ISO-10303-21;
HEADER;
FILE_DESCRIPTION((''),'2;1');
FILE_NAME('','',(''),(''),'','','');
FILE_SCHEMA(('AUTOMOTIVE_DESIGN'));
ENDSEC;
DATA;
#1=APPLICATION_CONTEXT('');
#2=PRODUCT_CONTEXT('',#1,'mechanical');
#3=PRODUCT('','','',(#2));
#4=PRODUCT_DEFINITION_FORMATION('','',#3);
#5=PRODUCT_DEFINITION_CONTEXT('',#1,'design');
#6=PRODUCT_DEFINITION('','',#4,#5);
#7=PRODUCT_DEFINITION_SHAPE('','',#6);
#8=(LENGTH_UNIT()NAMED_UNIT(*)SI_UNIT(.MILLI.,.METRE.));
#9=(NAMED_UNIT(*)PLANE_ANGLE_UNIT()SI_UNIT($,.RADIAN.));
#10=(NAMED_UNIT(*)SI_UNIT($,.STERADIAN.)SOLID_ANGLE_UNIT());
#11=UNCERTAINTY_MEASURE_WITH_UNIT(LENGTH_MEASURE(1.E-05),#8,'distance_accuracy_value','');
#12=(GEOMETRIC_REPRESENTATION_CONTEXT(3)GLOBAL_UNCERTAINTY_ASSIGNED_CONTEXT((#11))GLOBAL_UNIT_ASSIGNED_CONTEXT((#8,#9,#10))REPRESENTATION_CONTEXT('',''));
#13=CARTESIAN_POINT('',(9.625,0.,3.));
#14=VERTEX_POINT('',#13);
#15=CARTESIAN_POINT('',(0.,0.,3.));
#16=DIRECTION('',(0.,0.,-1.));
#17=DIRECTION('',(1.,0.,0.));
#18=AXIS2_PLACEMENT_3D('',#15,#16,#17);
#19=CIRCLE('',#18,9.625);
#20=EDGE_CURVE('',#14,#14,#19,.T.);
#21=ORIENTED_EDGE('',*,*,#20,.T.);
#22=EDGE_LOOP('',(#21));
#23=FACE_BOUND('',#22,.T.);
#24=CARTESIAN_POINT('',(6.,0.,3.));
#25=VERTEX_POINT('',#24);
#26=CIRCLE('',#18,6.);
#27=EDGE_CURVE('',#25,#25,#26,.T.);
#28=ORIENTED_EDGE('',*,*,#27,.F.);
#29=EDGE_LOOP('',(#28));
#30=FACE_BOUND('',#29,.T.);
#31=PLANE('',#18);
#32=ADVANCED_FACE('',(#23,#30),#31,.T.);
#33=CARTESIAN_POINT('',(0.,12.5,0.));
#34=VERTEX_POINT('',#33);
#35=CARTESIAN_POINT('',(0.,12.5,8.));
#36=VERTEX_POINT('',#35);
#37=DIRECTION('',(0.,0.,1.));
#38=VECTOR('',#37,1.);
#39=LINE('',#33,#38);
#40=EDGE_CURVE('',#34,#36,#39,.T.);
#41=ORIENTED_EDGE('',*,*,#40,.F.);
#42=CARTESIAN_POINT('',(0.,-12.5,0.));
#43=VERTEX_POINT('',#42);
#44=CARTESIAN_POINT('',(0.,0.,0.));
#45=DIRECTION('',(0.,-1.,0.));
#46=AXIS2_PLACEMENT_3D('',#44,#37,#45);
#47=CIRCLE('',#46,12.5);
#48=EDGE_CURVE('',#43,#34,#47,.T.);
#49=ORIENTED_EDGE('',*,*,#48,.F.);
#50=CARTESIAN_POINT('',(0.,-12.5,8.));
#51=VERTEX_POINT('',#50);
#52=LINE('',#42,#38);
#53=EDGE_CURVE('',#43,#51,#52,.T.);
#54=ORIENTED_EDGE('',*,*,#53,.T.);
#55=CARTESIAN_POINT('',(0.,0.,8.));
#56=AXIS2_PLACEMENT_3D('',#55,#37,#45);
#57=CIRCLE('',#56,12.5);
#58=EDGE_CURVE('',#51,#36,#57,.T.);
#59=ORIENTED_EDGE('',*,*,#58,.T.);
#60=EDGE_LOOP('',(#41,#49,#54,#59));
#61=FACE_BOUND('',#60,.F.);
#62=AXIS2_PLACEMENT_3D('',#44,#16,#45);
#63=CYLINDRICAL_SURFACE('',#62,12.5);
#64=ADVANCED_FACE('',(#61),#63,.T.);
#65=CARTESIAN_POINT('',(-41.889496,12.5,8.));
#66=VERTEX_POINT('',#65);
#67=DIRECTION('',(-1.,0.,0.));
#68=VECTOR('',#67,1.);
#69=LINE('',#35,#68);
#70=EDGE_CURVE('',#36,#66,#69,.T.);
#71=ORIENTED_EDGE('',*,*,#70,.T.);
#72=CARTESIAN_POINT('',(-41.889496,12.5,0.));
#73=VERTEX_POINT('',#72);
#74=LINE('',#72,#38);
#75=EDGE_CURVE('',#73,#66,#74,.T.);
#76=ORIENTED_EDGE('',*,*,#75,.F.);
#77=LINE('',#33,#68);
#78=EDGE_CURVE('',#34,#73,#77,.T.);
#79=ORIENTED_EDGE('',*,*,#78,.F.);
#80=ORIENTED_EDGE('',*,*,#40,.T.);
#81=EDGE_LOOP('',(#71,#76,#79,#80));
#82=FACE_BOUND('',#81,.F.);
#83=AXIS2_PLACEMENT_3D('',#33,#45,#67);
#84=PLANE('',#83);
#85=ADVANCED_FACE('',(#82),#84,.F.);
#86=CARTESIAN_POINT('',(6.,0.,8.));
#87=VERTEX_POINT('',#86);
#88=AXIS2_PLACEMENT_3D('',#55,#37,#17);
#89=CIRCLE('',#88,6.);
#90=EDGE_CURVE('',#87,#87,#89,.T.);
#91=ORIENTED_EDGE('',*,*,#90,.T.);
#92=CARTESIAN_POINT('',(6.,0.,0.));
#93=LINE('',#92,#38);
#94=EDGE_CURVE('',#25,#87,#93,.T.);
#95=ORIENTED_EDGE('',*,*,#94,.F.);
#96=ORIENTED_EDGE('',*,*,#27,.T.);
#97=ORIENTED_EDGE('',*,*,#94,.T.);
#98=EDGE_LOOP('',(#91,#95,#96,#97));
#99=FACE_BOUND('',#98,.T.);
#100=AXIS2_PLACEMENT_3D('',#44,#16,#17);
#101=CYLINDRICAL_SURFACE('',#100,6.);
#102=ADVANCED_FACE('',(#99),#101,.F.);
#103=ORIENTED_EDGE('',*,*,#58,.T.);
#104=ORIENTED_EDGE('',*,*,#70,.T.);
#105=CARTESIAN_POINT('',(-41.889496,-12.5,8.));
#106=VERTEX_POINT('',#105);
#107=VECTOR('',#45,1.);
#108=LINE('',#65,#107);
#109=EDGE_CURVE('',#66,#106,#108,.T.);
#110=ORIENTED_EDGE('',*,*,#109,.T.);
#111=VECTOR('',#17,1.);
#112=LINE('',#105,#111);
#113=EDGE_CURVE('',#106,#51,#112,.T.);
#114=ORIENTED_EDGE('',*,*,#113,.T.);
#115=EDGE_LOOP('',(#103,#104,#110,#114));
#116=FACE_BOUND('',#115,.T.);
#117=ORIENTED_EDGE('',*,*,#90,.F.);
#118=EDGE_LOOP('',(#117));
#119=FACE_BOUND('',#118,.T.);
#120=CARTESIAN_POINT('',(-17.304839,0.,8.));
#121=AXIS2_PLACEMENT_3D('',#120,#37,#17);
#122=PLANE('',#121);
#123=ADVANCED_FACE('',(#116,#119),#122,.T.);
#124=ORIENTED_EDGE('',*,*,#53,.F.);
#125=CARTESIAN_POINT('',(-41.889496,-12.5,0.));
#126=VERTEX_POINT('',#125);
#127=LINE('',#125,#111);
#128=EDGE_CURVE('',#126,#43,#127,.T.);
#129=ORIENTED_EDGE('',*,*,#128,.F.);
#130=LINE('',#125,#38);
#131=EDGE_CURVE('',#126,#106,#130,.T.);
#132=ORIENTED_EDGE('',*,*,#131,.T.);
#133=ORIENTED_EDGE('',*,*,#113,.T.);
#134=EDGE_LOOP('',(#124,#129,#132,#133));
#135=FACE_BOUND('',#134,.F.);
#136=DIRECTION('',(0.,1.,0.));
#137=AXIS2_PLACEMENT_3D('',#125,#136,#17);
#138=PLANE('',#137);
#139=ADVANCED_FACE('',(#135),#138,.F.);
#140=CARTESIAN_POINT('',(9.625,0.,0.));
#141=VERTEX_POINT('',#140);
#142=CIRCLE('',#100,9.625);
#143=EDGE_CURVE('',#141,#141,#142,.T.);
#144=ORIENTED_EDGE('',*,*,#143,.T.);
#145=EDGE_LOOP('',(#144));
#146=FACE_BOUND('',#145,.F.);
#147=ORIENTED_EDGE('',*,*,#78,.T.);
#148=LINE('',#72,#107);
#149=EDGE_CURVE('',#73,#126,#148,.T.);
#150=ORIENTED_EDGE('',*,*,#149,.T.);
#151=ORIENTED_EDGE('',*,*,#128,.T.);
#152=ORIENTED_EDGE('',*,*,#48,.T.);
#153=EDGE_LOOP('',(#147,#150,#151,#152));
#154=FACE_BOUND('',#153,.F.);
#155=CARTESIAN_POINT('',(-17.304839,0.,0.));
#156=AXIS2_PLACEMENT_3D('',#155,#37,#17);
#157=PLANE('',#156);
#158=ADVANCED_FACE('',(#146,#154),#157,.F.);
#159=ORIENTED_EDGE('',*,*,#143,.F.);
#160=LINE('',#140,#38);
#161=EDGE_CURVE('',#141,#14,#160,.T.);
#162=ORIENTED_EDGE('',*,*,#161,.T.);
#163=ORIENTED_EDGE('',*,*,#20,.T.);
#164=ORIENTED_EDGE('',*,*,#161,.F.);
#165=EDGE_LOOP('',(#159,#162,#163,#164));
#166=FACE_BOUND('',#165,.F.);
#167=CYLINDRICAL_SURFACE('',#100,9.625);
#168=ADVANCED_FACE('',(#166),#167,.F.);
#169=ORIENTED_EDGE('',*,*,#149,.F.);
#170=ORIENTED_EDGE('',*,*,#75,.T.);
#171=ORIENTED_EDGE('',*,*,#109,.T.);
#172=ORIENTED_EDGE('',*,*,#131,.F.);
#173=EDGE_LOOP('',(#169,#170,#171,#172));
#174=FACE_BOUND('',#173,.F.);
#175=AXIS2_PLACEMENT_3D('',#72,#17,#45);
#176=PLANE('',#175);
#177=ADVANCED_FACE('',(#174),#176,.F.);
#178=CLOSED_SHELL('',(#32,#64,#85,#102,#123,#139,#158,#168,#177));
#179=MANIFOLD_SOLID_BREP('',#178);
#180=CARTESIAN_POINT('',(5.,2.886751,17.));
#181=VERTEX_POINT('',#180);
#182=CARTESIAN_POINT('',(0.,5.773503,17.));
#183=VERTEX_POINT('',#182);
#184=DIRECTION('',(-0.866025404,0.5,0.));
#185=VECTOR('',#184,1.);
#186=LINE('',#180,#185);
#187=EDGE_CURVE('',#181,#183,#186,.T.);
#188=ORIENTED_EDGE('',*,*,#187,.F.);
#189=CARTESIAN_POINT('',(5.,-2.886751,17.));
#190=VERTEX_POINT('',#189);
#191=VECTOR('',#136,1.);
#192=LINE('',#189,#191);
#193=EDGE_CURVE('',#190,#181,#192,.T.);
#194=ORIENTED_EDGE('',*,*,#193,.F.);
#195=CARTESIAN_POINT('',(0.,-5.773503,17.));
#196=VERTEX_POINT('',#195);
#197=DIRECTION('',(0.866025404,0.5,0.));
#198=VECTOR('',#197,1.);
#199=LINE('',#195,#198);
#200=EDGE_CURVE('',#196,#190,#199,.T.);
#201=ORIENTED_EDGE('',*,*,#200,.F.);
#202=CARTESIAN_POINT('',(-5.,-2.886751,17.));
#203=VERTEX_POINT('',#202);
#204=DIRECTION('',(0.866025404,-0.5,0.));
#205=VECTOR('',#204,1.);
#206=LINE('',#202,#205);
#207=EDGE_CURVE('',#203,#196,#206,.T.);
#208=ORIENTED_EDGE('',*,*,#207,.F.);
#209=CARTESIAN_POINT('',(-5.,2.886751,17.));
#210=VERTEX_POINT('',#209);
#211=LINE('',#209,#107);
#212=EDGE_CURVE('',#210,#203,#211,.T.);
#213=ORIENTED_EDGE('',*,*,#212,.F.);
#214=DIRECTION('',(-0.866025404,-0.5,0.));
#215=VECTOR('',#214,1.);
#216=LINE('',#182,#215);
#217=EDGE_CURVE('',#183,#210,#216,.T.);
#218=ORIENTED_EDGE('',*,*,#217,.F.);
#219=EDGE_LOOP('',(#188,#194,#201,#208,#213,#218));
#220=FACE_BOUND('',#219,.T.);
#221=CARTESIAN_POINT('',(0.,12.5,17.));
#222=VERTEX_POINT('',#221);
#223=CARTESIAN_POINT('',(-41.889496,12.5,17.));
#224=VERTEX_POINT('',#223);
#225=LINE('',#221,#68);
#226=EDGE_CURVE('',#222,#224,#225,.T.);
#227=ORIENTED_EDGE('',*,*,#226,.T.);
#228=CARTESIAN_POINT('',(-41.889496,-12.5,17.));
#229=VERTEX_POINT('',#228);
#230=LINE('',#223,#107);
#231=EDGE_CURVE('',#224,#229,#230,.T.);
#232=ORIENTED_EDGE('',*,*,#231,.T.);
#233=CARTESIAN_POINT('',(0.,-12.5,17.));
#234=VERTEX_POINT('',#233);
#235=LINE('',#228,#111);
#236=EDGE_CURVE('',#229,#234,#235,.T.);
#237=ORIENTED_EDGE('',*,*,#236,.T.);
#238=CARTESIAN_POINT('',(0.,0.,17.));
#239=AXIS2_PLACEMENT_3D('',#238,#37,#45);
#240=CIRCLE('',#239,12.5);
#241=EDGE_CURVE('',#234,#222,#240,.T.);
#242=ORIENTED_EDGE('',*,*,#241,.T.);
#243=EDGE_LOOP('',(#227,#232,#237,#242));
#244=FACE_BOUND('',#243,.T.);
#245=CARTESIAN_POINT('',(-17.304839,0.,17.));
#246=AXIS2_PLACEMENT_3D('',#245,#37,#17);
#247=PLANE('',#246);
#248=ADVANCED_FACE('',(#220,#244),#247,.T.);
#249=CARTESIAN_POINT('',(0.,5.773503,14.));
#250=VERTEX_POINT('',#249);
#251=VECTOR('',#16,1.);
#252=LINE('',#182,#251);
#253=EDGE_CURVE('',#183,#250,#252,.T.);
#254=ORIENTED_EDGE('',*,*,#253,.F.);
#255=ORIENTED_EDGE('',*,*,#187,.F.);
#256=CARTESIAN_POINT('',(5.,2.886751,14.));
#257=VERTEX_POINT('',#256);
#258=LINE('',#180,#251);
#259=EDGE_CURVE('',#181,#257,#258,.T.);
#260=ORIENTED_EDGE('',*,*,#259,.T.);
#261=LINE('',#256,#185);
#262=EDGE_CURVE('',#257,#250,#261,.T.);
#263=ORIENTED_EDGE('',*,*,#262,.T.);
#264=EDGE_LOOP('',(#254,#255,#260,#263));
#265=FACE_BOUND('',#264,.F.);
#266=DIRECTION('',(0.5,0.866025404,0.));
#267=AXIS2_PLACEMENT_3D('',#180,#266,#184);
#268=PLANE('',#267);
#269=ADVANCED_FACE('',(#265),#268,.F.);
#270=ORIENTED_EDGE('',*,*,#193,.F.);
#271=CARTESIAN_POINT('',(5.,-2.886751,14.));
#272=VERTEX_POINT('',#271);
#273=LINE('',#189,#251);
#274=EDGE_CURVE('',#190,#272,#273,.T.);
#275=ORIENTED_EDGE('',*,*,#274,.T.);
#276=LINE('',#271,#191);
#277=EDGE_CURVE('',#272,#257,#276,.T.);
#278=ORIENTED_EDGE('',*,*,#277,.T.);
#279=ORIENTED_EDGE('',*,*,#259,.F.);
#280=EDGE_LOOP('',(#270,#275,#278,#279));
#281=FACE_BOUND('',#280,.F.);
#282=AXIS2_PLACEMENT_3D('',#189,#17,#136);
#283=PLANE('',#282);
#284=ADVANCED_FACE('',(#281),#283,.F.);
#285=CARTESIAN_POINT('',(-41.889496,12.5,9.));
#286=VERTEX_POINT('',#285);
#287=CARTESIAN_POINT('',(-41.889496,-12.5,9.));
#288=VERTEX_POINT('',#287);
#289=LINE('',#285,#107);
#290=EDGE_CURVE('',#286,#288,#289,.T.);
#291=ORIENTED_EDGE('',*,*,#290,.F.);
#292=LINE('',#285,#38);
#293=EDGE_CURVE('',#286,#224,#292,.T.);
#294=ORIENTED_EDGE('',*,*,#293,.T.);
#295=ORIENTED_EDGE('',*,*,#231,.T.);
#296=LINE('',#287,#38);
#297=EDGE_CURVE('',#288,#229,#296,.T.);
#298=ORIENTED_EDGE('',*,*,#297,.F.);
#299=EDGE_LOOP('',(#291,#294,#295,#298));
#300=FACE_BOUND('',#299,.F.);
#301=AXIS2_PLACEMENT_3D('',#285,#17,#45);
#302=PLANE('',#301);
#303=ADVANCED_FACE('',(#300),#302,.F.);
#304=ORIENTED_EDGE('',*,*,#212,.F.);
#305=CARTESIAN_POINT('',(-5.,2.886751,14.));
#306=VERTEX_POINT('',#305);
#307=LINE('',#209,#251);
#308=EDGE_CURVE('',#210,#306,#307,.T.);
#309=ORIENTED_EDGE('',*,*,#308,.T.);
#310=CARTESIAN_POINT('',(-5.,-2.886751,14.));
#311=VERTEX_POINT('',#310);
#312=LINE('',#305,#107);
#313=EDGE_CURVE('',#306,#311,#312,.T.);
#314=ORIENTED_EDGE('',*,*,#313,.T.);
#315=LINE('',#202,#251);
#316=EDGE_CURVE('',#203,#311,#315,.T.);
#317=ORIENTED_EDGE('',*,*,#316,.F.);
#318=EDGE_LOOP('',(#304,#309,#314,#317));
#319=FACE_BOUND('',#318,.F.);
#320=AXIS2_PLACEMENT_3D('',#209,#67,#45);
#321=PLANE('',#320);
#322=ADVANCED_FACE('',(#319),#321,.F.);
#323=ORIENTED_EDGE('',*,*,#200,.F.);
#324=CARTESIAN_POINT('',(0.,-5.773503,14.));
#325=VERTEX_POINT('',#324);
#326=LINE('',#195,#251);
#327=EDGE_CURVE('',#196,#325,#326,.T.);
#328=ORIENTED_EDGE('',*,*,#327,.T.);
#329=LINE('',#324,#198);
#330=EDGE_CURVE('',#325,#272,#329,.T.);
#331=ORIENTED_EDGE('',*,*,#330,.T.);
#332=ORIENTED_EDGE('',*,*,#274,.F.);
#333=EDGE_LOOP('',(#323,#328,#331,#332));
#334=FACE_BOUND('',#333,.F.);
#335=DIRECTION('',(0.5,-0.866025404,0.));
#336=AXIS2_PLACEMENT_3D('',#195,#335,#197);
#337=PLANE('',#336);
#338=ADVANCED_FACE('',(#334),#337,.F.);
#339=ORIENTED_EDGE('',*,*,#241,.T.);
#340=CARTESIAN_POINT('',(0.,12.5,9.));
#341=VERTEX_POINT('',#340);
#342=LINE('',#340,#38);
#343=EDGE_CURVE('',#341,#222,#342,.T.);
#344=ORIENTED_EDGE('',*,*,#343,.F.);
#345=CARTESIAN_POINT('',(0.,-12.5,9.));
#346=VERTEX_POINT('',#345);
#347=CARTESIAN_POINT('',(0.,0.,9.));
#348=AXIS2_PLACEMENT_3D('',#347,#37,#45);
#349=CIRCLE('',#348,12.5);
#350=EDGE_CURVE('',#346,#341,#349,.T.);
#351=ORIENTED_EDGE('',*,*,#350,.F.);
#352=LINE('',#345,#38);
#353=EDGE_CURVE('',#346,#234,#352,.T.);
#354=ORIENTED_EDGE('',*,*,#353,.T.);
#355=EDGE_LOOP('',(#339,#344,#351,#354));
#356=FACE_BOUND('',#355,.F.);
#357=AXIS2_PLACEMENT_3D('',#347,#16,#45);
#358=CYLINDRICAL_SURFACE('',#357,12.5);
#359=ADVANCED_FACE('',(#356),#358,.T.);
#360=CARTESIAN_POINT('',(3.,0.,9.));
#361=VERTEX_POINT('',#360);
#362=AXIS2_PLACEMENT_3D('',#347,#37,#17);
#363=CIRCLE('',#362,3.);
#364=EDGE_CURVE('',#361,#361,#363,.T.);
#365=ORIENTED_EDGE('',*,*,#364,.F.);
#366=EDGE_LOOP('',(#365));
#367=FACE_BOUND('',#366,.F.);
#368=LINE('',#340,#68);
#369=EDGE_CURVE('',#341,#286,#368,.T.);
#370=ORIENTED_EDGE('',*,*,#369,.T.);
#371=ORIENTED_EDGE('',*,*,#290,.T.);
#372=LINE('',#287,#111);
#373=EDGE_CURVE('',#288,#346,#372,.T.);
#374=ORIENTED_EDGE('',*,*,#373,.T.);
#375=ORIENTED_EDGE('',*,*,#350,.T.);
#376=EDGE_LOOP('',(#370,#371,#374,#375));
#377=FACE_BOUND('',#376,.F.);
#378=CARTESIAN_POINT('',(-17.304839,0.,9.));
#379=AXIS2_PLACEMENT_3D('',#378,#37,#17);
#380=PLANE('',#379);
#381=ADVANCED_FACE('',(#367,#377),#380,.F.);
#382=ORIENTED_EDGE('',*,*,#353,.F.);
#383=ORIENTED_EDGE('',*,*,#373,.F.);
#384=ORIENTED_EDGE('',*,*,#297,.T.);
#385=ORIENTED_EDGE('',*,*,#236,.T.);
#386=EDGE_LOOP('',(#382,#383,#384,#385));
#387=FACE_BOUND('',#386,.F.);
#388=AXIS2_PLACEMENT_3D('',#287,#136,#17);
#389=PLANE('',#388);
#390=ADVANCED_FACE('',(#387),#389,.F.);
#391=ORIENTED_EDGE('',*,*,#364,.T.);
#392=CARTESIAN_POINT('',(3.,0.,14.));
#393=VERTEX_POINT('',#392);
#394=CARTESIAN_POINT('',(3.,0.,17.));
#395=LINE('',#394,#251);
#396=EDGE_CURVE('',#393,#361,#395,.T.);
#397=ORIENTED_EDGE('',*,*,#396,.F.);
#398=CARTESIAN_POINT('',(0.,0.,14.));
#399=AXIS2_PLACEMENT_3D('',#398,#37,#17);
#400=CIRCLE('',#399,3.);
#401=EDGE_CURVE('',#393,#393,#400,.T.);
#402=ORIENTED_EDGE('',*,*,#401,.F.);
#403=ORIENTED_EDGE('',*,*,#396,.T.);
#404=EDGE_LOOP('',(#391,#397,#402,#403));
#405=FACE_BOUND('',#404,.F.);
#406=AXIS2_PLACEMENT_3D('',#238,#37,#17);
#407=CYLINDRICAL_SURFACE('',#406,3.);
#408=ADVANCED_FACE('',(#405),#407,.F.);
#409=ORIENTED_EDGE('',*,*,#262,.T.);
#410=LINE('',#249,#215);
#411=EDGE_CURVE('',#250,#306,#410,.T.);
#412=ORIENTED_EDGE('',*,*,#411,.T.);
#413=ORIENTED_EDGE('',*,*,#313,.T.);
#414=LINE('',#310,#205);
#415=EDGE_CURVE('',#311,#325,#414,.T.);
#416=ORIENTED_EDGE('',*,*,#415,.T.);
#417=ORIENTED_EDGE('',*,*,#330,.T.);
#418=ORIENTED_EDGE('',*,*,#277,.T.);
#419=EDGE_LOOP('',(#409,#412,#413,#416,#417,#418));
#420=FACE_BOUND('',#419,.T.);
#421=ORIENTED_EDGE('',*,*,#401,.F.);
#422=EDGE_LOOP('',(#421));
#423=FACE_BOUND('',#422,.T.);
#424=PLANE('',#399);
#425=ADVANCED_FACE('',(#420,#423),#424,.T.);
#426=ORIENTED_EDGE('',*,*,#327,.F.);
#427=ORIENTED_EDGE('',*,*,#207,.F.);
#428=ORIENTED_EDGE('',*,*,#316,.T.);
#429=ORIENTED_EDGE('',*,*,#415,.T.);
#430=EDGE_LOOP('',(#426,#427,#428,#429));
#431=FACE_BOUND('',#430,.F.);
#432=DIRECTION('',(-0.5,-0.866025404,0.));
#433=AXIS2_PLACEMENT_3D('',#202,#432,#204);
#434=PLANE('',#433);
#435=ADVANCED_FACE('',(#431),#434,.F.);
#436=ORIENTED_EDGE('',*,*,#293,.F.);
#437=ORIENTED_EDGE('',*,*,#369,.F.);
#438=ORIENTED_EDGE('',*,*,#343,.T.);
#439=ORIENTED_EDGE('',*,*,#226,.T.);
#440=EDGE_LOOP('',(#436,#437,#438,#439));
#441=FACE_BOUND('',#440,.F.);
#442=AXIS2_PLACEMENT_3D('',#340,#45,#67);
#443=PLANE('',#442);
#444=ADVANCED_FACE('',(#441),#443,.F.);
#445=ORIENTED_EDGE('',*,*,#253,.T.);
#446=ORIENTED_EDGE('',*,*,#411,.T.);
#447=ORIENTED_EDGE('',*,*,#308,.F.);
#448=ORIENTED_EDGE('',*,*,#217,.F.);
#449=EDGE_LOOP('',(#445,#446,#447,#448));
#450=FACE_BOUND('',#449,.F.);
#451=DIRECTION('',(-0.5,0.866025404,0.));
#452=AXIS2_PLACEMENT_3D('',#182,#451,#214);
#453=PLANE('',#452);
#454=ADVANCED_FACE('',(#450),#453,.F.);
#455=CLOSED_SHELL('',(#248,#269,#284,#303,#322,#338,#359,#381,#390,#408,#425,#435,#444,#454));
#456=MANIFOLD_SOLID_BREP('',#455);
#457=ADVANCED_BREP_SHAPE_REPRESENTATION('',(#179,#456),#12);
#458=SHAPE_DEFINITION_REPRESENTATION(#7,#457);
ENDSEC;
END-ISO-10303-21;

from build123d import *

# Parameters (mm, degrees)
F0_R      = 6
F1_DEPTH  = 8
F2_R      = 9.625
F3_DEPTH  = 3
F6_DEPTH  = 8
F7_R      = 3
F8_DEPTH  = 17.001
F10_DEPTH = 3


with BuildPart() as f1:
    # F0 (on Top) → F1 (new body)
    with BuildSketch(Plane.XY):
        with BuildLine():
            Line((-41.8894961476, -12.5), (0, -12.5))
            ThreePointArc((0, -12.5), (12.5, 0), (0, 12.5))
            Line((0, 12.5), (-41.8894961476, 12.5))
            Line((-41.8894961476, 12.5), (-41.8894961476, -12.5))
        make_face()
        Circle(F0_R, mode=Mode.SUBTRACT)
    extrude(amount=F1_DEPTH)

    # F2 (on face) → F3 (cut)
    with BuildSketch(Plane(origin=(0, 0, 0), x_dir=(1, 0, 0), z_dir=(0, 0, -1))):
        Circle(F2_R)
    extrude(amount=-F3_DEPTH, mode=Mode.SUBTRACT)


with BuildPart() as f6:
    # F5 (on offset) → F6 (new body)
    with BuildSketch(Plane.XY.offset(9)):
        with BuildLine():
            ThreePointArc((0, -12.5), (12.5, 0), (0, 12.5))
            Line((0, 12.5), (-41.8894961476, 12.5))
            Line((-41.8894961476, 12.5), (-41.8894961476, -12.5))
            Line((-41.8894961476, -12.5), (0, -12.5))
        make_face()
    extrude(amount=F6_DEPTH)

    # F7 (on face) → F8 (cut, through all)
    with BuildSketch(Plane.XY.offset(17)):
        Circle(F7_R)
    extrude(amount=-F8_DEPTH, mode=Mode.SUBTRACT)

    # F9 (on face) → F10 (cut)
    with BuildSketch(Plane.XY.offset(17)):
        Polygon((5, -2.8867513459), (5, 2.8867513459), (0, 5.7735026919), (-5, 2.8867513459), (-5, -2.8867513459), (0, -5.7735026919), align=None)
    extrude(amount=-F10_DEPTH, mode=Mode.SUBTRACT)


solid = Compound([f1.part, f6.part])
